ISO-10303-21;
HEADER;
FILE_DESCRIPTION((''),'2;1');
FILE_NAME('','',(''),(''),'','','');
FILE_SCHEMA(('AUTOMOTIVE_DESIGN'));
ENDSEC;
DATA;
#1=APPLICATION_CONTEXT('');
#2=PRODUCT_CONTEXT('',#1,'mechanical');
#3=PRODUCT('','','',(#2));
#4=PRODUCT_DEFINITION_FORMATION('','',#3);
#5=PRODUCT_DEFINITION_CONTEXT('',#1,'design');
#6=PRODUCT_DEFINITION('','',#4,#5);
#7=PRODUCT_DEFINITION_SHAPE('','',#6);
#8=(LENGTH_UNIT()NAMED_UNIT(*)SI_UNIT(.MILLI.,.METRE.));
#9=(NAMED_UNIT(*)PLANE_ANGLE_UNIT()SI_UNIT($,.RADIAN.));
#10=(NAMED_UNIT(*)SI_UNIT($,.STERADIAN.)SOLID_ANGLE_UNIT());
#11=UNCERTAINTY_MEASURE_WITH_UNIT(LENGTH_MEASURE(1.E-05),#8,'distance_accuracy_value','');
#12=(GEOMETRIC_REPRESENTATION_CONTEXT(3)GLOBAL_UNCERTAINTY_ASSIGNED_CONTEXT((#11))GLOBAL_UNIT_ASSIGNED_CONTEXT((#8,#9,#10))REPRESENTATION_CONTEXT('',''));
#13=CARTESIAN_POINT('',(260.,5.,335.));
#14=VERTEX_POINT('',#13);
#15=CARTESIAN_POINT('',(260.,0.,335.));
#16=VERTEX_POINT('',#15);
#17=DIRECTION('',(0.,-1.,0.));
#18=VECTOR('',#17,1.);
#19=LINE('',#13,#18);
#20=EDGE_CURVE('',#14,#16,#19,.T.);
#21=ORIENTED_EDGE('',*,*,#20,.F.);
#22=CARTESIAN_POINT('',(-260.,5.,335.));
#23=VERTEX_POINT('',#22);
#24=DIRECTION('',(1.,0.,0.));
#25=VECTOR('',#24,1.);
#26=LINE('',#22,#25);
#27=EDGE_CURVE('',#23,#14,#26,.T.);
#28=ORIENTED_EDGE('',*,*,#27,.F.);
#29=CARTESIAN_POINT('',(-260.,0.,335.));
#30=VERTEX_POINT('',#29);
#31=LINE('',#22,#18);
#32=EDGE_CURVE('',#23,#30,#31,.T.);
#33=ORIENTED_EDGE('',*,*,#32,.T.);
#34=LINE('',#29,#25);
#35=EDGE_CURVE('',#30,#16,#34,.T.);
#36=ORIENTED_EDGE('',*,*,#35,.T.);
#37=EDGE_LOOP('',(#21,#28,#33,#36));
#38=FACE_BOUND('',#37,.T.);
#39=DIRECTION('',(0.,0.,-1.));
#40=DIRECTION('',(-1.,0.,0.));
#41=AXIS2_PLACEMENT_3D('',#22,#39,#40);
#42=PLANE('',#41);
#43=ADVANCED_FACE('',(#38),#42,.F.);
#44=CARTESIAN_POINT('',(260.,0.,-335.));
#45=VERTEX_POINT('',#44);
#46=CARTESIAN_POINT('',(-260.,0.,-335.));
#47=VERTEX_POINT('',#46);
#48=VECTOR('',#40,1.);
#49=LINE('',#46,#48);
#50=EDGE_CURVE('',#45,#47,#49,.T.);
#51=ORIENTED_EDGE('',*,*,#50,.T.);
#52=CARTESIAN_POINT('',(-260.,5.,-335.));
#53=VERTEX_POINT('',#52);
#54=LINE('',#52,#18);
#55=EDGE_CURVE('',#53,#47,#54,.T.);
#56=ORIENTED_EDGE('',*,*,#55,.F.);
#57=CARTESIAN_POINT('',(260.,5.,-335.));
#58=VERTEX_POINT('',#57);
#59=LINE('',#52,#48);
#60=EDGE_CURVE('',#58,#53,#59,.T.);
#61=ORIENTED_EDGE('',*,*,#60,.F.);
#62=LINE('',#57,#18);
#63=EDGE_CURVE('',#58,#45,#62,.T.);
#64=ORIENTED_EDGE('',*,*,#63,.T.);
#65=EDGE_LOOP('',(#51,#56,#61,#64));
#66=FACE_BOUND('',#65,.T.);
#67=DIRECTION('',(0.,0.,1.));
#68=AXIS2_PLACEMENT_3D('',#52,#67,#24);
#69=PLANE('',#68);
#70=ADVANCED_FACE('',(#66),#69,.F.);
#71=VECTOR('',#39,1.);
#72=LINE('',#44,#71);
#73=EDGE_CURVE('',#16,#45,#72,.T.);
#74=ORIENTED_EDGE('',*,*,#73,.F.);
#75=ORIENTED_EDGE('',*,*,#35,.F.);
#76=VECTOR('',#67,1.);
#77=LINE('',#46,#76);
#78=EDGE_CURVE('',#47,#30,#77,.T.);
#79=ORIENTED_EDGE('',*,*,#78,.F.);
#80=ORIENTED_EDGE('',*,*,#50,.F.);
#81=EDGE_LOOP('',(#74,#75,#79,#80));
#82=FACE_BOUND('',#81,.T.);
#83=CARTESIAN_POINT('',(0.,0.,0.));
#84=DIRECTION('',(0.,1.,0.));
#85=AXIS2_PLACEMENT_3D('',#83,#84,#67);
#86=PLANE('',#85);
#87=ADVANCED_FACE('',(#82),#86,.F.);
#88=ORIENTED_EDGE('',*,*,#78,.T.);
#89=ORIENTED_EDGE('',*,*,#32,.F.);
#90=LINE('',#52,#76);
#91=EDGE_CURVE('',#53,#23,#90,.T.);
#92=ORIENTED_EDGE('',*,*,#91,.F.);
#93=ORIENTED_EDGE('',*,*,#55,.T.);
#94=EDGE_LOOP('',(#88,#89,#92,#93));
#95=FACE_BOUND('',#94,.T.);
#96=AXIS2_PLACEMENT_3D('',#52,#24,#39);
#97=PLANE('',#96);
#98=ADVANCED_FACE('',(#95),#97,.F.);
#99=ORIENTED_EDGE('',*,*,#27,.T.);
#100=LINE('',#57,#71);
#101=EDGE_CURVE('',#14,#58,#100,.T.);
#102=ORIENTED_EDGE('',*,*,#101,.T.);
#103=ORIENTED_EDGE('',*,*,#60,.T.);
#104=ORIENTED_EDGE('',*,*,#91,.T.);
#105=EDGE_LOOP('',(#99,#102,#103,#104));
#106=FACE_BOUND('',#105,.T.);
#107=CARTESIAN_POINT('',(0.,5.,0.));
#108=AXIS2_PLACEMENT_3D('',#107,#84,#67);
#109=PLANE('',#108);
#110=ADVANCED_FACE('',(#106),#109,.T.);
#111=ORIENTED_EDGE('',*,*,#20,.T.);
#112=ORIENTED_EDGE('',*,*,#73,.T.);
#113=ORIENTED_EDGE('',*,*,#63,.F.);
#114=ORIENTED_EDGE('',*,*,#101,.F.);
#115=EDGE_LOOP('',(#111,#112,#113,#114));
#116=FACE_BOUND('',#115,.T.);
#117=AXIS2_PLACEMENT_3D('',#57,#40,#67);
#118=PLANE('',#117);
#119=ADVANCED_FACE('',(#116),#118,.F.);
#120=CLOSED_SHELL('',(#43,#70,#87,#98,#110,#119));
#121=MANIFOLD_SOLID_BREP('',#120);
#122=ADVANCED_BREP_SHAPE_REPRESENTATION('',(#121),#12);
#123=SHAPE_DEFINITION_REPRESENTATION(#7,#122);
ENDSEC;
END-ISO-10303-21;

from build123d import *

# Parameters (mm, degrees)
SKETCH_1_W      = 520
SKETCH_1_H      = 670
EXTRUDE_1_DEPTH = 5


with BuildPart() as part:
    # 草图1 → 凸台-拉伸1 (new body)
    with BuildSketch(Plane(origin=(0, 0, 0), x_dir=(1, 0, 0), z_dir=(0, 1, 0))):
        Rectangle(SKETCH_1_W, SKETCH_1_H)
    extrude(amount=EXTRUDE_1_DEPTH)


solid = part.part
